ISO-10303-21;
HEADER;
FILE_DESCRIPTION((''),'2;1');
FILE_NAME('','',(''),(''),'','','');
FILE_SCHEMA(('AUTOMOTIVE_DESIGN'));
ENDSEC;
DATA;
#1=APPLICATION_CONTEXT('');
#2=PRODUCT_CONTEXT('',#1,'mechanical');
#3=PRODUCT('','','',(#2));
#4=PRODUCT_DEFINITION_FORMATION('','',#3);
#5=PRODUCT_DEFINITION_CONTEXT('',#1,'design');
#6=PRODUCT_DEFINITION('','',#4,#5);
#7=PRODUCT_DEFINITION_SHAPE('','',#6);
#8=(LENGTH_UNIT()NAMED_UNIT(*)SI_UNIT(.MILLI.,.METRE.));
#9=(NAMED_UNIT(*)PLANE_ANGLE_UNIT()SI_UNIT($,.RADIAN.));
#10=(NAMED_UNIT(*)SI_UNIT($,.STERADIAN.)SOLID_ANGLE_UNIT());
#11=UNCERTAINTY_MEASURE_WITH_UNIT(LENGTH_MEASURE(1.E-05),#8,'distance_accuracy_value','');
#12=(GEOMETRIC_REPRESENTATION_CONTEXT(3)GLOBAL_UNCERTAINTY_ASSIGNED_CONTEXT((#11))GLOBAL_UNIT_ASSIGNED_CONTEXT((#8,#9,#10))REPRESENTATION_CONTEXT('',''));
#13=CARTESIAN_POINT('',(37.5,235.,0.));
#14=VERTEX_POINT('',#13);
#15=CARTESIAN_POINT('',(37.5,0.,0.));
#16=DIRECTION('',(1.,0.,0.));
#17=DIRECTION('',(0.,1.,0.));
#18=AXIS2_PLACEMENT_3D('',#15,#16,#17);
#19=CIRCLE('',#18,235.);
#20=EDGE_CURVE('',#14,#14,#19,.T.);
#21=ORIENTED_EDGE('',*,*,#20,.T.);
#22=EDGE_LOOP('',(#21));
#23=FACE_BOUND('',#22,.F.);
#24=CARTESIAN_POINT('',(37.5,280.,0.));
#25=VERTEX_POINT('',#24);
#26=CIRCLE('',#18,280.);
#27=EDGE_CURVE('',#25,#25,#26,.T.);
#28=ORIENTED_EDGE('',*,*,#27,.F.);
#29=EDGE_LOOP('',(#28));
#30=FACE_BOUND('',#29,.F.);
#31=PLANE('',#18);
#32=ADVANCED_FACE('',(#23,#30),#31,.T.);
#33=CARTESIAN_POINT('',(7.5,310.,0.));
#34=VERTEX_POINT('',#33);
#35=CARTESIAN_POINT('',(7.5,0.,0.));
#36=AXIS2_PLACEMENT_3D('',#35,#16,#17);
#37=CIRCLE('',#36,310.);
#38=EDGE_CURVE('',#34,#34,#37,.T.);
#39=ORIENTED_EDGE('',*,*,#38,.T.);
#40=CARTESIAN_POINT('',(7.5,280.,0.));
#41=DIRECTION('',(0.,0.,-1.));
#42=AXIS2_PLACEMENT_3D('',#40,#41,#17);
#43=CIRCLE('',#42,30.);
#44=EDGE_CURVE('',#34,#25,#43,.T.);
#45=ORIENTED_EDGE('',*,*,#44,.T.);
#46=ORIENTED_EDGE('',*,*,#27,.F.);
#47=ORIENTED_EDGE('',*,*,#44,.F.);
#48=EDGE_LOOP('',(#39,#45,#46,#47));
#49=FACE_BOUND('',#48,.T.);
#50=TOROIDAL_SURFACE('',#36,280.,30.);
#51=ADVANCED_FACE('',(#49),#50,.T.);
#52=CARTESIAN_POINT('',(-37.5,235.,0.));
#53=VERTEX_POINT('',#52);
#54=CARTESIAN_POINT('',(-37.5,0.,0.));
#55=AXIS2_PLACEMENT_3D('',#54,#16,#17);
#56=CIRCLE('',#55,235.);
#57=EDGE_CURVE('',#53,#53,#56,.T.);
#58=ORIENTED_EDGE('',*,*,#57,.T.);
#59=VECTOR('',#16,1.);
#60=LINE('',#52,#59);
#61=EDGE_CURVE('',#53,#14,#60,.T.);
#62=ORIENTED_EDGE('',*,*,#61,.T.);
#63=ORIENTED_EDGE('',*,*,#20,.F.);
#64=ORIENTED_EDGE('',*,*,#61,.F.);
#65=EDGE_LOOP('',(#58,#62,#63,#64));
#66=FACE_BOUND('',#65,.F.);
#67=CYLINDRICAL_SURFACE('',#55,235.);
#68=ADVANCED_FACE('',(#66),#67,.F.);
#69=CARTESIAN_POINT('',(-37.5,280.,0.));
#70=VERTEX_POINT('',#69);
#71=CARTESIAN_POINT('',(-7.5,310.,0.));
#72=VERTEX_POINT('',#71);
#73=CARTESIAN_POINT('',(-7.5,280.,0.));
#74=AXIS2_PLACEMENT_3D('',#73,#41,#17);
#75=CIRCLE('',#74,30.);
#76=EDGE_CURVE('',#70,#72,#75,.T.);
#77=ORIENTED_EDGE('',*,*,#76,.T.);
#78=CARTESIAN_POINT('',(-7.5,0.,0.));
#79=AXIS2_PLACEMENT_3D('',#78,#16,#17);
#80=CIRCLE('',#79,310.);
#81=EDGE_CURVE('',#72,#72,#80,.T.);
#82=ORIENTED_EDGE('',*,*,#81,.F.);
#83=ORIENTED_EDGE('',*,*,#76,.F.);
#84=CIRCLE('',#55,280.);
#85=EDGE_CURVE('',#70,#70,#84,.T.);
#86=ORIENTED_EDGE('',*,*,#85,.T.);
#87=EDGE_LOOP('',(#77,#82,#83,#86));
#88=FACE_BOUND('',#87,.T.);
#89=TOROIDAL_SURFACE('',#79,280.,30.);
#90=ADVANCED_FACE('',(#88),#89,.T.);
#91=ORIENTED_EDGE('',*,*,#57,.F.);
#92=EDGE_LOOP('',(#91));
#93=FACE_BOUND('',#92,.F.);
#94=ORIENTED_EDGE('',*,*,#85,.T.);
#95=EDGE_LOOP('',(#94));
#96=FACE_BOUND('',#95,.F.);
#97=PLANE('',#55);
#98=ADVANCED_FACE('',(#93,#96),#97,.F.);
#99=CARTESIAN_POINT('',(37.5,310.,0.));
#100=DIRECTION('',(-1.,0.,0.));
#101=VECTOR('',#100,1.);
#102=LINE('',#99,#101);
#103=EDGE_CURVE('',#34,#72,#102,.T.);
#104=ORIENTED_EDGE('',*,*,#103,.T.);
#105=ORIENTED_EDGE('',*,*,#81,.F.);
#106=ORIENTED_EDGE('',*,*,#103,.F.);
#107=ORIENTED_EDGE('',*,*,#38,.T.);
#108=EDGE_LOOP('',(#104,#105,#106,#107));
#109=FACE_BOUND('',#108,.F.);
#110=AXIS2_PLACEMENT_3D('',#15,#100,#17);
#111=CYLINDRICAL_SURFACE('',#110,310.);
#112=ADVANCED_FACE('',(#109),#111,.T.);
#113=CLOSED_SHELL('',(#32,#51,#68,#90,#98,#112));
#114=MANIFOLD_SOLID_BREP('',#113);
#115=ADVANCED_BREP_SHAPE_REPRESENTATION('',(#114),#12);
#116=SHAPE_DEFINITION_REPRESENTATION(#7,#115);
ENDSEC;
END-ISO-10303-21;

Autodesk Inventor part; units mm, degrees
ref_plane "YZ Plane" through (0, 0, 0) normal (1, 0, 0) x (0, 1, 0)
ref_plane "XZ Plane" through (0, 0, 0) normal (0, 1, 0) x (-1, 0, 0)
ref_plane "XY Plane" through (0, 0, 0) normal (0, 0, 1) x (1, 0, 0)
sketch "Sketch3" plane through (0, 0, 0) normal (0, 0, 1) x (1, 0, 0)
  line L0 (-37.5, 235) -> (37.5, 235)
  line L1 (37.5, 235) -> (37.5, 310)
  line L2 (37.5, 310) -> (-37.5, 310)
  line L3 (-37.5, 310) -> (-37.5, 235)
  line L4 (-37.5, 235) -> (37.5, 310) construction
  line L5 (37.5, 235) -> (-37.5, 310) construction
  line L6 (-52.5, 0) -> (52.5, 0) projected
  point P0 (0, 0)
  point P1 (0, 272.5)
  dimension "d48" = 75
  dimension "d49" = 75
  dimension "d50" = 310
revolve "Revolution2" add sketch "Sketch3" angle 360 about axis through (-10, 0, 0) along (1, 0, 0)
fillet "Fillet1" radius 30 2 edges at (37.5, -310, 0) (-37.5, -310, 0)
properties part number "BackWheel"
